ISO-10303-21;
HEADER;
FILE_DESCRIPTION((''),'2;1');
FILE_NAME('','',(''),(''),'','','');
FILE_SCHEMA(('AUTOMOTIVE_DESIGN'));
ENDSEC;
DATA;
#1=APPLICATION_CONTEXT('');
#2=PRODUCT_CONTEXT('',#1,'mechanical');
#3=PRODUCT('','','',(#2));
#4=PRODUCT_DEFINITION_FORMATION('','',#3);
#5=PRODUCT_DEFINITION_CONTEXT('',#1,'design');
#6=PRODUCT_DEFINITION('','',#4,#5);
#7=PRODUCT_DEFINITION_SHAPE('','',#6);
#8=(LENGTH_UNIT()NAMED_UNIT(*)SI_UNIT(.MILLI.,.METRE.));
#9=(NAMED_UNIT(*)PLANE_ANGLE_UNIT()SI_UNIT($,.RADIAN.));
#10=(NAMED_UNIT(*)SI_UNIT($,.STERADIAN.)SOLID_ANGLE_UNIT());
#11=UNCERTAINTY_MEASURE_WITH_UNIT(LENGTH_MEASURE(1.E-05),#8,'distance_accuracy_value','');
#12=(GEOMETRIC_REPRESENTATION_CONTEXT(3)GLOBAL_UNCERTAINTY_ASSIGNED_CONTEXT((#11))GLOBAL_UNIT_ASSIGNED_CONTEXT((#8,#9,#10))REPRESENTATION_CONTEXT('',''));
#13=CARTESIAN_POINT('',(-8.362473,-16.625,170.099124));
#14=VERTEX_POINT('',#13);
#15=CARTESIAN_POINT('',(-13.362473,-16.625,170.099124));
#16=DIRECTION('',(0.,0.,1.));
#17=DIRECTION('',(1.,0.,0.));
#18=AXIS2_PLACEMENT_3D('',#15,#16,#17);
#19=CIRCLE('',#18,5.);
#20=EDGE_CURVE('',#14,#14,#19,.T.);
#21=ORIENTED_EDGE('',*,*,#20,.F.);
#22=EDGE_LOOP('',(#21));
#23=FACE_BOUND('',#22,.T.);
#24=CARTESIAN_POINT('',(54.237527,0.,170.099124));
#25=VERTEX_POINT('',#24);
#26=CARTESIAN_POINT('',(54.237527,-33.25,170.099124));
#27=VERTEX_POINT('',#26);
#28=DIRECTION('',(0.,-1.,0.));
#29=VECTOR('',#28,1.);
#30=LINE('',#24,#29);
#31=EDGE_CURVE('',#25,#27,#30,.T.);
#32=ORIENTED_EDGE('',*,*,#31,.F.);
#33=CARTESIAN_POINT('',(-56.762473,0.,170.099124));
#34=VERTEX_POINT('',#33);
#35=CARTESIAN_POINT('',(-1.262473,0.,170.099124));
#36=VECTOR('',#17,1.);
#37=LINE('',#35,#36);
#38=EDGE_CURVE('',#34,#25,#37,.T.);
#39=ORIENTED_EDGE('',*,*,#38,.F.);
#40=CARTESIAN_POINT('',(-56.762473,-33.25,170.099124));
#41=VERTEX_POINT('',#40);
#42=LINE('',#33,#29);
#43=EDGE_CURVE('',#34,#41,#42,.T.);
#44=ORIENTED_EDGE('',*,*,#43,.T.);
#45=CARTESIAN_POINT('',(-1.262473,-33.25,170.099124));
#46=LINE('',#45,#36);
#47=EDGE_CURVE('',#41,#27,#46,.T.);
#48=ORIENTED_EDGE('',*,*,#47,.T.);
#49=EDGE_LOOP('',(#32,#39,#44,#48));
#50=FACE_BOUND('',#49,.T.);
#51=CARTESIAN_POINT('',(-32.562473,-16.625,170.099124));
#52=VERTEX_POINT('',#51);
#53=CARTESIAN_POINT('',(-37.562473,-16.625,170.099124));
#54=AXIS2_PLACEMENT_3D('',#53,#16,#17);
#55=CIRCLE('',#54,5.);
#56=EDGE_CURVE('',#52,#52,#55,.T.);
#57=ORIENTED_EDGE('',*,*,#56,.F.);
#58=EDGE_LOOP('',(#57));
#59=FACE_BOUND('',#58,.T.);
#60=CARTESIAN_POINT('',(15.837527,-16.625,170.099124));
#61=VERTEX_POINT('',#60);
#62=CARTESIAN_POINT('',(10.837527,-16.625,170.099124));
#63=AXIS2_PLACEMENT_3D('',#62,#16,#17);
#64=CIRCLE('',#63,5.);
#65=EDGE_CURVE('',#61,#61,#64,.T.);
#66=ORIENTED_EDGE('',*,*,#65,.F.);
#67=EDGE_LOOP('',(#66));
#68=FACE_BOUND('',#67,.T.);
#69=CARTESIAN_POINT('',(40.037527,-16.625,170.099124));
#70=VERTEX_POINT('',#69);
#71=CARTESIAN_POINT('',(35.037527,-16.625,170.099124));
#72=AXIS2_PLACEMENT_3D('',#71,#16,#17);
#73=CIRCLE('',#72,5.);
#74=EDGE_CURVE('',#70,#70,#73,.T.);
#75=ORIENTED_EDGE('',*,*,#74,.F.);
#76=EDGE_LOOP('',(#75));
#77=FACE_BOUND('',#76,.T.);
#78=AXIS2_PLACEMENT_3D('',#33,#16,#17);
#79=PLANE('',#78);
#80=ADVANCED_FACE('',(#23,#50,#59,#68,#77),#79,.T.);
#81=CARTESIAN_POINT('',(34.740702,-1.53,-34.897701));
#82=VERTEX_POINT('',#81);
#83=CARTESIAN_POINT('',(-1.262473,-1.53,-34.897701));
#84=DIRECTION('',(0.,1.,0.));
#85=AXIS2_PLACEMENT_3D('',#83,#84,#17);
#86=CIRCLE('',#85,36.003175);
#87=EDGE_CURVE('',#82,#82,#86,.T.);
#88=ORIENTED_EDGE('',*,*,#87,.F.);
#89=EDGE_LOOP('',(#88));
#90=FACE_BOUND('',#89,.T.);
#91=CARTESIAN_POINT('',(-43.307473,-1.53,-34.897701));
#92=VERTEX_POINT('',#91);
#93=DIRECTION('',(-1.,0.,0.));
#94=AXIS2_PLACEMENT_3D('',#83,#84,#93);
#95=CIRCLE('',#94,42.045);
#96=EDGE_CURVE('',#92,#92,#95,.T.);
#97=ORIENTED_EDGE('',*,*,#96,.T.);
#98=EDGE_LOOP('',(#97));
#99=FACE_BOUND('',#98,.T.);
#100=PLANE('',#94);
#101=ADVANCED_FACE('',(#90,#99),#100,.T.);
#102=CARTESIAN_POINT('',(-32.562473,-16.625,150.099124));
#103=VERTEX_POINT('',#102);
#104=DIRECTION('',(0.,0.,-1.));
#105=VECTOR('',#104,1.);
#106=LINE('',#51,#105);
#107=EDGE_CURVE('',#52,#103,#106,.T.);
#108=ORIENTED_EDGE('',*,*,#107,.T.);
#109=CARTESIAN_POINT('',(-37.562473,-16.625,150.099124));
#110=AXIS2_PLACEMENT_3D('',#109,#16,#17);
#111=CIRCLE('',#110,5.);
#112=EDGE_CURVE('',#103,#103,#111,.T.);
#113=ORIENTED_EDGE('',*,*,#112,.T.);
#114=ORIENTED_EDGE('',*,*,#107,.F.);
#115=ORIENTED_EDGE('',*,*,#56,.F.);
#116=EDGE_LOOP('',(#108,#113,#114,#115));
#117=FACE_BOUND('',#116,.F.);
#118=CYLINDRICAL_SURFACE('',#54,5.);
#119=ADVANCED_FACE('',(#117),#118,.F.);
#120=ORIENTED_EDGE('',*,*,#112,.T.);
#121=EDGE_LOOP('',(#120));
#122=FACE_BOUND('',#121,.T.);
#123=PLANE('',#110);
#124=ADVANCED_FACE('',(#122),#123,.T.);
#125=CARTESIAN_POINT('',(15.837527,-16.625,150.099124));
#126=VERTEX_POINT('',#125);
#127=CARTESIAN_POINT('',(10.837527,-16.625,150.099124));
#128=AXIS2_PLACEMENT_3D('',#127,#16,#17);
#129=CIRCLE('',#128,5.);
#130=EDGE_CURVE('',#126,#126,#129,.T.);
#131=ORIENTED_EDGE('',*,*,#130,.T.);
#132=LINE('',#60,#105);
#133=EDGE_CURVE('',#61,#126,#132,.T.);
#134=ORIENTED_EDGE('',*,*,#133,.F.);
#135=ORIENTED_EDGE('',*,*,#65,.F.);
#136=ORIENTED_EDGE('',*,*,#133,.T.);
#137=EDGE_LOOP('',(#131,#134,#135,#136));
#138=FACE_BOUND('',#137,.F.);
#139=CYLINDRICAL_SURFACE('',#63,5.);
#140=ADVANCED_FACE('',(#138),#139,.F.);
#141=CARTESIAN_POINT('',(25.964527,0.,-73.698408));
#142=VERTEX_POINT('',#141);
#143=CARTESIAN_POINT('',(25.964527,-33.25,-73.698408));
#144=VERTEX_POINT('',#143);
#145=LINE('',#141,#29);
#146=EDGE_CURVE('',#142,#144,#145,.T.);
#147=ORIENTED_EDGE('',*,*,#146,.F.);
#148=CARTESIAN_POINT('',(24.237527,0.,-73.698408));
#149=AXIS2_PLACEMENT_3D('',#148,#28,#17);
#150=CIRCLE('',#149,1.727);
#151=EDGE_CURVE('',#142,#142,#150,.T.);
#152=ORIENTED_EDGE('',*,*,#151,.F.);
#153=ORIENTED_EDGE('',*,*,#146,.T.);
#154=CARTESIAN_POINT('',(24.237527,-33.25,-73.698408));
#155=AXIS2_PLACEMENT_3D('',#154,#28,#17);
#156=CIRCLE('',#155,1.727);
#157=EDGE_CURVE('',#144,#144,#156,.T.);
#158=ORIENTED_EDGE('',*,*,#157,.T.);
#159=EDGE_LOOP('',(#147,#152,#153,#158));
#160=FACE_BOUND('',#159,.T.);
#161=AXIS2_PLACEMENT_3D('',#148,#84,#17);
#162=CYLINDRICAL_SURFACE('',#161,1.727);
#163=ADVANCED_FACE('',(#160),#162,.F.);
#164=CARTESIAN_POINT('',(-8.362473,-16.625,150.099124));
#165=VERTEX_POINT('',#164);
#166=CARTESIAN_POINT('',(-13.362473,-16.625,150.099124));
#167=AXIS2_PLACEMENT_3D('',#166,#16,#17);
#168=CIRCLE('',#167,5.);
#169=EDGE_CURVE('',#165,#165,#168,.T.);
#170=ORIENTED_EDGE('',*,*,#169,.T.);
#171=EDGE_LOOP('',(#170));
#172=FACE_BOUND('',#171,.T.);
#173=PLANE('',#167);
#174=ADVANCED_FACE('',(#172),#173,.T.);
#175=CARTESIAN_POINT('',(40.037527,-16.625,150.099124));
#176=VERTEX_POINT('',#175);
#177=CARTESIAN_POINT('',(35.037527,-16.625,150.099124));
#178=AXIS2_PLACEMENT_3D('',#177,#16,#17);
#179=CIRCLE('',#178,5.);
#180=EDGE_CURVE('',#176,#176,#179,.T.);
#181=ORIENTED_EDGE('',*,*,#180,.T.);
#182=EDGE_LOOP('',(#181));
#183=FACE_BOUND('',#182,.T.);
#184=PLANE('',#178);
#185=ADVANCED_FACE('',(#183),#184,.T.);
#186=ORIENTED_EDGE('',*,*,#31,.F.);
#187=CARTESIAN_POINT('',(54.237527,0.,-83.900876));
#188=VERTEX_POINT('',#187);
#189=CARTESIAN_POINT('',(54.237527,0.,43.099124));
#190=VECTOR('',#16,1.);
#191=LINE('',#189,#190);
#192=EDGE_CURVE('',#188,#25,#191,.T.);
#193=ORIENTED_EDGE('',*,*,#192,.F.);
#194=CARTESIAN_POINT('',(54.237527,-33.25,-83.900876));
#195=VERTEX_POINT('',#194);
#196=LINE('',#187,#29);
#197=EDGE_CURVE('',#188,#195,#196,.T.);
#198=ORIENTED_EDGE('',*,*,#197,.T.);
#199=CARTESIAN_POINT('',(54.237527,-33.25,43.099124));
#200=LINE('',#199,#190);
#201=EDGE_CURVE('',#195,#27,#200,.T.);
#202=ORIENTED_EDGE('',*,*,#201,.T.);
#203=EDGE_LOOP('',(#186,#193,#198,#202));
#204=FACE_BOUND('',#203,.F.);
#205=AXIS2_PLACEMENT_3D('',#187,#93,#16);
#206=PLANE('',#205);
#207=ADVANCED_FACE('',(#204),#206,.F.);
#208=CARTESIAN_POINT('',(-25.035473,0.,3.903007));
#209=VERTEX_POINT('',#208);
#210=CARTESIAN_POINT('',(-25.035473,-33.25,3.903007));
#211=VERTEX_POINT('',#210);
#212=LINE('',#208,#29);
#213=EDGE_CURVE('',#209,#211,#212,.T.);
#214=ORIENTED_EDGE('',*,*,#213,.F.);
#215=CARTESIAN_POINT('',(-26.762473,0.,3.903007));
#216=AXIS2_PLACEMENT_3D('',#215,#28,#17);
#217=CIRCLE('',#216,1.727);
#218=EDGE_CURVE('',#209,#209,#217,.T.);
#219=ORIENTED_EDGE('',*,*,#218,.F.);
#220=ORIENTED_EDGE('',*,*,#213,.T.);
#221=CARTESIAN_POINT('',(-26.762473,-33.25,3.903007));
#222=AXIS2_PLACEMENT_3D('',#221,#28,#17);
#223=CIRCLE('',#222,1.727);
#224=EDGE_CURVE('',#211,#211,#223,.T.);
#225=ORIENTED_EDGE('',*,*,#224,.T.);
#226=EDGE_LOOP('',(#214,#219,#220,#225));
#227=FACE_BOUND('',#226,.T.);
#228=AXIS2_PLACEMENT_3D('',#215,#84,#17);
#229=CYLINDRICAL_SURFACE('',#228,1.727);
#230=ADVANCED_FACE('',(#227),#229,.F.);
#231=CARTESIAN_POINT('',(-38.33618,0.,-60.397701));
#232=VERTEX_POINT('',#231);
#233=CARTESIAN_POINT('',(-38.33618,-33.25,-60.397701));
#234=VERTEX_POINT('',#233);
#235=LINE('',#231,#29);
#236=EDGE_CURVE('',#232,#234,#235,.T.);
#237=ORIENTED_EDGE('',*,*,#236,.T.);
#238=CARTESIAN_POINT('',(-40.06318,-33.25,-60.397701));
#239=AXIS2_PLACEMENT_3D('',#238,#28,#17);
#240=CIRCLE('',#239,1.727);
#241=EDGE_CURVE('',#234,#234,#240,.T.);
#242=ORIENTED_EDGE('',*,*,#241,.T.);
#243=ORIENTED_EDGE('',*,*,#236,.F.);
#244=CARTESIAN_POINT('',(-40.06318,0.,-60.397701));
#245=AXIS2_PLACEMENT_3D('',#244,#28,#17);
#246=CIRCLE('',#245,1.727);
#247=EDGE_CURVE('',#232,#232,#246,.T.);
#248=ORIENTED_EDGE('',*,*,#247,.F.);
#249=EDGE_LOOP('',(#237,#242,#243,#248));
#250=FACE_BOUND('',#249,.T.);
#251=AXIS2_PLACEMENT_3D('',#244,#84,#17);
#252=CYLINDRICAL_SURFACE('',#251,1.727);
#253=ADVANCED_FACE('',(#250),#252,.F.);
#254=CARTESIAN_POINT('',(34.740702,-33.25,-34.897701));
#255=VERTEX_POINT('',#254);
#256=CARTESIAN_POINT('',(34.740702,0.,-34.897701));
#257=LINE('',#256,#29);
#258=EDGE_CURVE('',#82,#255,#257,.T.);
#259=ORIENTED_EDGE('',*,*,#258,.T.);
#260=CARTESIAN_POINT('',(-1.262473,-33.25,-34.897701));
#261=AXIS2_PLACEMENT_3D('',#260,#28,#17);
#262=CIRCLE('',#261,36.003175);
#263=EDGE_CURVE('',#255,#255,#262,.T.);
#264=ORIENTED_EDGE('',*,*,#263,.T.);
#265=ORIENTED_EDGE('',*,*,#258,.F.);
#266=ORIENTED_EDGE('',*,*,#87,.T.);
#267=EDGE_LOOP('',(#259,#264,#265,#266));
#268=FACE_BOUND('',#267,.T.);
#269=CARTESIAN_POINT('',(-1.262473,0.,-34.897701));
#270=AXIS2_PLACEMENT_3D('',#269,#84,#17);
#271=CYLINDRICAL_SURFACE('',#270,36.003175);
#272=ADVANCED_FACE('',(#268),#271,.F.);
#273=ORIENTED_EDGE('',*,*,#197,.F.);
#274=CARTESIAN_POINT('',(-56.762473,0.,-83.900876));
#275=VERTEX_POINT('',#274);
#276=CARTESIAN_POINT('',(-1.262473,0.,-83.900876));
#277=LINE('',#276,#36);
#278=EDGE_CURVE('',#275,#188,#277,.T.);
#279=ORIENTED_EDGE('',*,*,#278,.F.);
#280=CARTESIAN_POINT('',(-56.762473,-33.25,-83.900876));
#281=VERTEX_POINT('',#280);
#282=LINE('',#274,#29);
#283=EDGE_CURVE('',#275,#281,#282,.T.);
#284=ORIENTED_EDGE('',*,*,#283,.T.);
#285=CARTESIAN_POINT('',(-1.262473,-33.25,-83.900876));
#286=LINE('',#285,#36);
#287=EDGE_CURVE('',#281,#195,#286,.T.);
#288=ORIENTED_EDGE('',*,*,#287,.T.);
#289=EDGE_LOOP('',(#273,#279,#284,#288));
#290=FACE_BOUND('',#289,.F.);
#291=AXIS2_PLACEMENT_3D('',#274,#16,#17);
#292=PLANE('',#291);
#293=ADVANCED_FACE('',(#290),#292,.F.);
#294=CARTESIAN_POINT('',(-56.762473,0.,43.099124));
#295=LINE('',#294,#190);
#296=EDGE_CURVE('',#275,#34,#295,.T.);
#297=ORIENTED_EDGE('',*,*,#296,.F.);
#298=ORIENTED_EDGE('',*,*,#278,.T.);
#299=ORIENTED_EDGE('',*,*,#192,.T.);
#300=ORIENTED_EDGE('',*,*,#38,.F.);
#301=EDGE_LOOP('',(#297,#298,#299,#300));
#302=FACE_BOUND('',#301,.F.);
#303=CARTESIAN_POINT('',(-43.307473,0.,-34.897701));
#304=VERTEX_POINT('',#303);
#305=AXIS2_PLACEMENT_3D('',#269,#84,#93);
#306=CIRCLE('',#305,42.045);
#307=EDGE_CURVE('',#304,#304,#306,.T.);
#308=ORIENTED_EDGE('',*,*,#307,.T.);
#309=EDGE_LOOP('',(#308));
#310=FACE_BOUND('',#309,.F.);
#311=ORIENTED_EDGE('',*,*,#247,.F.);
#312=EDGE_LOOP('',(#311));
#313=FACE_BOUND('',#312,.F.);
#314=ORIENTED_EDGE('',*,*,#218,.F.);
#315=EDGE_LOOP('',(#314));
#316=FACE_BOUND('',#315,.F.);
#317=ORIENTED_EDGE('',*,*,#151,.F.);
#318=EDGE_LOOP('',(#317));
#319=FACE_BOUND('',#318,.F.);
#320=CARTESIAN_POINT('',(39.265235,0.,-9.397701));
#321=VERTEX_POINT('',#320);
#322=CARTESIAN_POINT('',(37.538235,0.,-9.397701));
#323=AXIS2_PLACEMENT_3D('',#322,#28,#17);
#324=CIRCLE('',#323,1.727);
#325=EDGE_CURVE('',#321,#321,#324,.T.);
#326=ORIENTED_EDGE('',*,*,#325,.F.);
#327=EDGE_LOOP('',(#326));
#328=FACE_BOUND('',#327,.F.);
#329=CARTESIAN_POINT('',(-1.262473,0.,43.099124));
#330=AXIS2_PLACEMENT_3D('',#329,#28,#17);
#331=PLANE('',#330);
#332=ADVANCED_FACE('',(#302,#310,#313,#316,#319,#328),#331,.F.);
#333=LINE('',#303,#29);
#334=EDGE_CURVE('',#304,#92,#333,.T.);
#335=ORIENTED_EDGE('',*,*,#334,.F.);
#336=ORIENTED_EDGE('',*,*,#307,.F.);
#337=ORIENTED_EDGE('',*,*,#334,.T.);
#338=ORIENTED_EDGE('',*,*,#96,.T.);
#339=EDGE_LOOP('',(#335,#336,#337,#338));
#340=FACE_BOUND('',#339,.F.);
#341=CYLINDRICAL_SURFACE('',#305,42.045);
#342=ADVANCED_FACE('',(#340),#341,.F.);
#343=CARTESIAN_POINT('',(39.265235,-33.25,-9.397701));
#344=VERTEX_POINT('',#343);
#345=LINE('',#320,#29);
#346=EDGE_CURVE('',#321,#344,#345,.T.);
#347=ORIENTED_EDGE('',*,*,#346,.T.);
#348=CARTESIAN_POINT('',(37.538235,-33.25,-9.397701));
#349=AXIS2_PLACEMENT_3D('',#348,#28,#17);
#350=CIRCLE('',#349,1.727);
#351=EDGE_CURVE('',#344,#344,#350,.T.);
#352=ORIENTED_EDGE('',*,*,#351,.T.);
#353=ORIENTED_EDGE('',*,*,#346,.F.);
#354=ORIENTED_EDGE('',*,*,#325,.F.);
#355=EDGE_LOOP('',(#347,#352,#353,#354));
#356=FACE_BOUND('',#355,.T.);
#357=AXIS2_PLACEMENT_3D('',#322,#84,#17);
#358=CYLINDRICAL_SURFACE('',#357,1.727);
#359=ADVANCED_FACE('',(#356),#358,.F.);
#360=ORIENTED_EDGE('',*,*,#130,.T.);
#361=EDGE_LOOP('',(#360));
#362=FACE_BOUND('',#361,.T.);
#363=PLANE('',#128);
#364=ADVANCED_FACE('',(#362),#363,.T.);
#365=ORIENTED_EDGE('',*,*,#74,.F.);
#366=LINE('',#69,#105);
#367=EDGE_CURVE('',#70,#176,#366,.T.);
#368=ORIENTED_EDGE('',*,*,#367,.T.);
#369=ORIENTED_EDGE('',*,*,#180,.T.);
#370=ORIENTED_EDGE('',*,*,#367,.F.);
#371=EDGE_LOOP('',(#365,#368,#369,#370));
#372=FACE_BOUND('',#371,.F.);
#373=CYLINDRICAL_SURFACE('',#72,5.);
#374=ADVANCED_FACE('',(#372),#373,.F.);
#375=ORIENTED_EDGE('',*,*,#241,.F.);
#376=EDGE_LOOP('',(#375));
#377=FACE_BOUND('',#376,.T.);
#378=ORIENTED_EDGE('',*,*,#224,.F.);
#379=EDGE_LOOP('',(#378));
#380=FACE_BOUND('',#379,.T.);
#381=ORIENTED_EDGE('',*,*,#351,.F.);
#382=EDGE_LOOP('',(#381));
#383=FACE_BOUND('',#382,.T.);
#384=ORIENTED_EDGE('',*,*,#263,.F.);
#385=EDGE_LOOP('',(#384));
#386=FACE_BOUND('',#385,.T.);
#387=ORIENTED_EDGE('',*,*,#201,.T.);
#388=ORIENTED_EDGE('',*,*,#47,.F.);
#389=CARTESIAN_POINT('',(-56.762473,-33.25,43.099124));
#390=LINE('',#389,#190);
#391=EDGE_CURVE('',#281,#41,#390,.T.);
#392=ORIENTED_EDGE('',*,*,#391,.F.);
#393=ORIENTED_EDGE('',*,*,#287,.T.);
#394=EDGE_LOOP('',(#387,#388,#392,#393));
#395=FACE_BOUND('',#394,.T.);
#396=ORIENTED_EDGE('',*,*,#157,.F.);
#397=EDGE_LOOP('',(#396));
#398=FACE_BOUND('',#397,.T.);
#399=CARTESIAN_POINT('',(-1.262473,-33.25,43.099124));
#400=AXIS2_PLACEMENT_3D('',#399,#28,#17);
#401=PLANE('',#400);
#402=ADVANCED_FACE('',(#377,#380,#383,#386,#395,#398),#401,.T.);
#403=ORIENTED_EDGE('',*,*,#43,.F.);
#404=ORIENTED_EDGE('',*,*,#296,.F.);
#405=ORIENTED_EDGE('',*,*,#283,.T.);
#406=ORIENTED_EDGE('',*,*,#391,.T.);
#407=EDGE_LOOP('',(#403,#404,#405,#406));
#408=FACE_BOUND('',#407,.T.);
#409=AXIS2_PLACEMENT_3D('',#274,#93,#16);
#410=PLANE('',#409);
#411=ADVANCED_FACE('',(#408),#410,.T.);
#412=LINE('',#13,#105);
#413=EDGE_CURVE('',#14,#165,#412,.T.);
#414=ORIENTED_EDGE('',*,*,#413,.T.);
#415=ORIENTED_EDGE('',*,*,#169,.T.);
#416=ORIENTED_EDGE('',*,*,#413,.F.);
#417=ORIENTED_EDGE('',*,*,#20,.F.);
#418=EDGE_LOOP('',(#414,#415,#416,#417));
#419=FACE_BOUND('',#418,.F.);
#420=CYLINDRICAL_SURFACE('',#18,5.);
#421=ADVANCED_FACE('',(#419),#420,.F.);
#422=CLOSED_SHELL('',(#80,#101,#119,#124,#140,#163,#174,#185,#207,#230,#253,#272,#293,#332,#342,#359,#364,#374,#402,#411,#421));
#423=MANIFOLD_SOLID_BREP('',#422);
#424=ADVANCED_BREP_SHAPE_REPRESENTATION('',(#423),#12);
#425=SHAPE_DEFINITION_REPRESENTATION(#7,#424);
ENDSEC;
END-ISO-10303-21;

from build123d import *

# Parameters (mm, degrees)
F0_W     = 111
F0_H     = 254
F0_R     = 1.727
F0_R_2   = 36.003175
F1_DEPTH = 33.25
F2_R     = 42.045
F3_DEPTH = 1.53
F4_R     = 5
F5_DEPTH = 20


with BuildPart() as f1:
    # F0 (on Front) → F1 (new body)
    with BuildSketch(Plane.XZ):
        with Locations((-1.262473, 43.099124)):
            Rectangle(F0_W, F0_H)
        with Locations((-40.06318, -60.397701)):
            Circle(F0_R, mode=Mode.SUBTRACT)
        with Locations((-1.262473, -34.897701)):
            Circle(F0_R_2, mode=Mode.SUBTRACT)
        with Locations((-26.762473, 3.903007)):
            Circle(F0_R, mode=Mode.SUBTRACT)
        with Locations((24.237527, -73.698408)):
            Circle(F0_R, mode=Mode.SUBTRACT)
        with Locations((37.538235, -9.397701)):
            Circle(F0_R, mode=Mode.SUBTRACT)
    extrude(amount=F1_DEPTH)

    # F2 (on face) → F3 (cut)
    with BuildSketch(Plane(origin=(0, 0, 0), x_dir=(-1, 0, 0), z_dir=(0, 1, 0))):
        with Locations((1.262473, -34.897701)):
            Circle(F2_R)
    extrude(amount=-F3_DEPTH, mode=Mode.SUBTRACT)

    # F4 (on face) → F5 (cut)
    with BuildSketch(Plane.XY.offset(170.099124)):
        with Locations((-37.562473, -16.625)):
            Circle(F4_R)
        with Locations((-13.362473, -16.625)):
            Circle(F4_R)
        with Locations((10.837527, -16.625)):
            Circle(F4_R)
        with Locations((35.037527, -16.625)):
            Circle(F4_R)
    extrude(amount=-F5_DEPTH, mode=Mode.SUBTRACT)


solid = f1.part
